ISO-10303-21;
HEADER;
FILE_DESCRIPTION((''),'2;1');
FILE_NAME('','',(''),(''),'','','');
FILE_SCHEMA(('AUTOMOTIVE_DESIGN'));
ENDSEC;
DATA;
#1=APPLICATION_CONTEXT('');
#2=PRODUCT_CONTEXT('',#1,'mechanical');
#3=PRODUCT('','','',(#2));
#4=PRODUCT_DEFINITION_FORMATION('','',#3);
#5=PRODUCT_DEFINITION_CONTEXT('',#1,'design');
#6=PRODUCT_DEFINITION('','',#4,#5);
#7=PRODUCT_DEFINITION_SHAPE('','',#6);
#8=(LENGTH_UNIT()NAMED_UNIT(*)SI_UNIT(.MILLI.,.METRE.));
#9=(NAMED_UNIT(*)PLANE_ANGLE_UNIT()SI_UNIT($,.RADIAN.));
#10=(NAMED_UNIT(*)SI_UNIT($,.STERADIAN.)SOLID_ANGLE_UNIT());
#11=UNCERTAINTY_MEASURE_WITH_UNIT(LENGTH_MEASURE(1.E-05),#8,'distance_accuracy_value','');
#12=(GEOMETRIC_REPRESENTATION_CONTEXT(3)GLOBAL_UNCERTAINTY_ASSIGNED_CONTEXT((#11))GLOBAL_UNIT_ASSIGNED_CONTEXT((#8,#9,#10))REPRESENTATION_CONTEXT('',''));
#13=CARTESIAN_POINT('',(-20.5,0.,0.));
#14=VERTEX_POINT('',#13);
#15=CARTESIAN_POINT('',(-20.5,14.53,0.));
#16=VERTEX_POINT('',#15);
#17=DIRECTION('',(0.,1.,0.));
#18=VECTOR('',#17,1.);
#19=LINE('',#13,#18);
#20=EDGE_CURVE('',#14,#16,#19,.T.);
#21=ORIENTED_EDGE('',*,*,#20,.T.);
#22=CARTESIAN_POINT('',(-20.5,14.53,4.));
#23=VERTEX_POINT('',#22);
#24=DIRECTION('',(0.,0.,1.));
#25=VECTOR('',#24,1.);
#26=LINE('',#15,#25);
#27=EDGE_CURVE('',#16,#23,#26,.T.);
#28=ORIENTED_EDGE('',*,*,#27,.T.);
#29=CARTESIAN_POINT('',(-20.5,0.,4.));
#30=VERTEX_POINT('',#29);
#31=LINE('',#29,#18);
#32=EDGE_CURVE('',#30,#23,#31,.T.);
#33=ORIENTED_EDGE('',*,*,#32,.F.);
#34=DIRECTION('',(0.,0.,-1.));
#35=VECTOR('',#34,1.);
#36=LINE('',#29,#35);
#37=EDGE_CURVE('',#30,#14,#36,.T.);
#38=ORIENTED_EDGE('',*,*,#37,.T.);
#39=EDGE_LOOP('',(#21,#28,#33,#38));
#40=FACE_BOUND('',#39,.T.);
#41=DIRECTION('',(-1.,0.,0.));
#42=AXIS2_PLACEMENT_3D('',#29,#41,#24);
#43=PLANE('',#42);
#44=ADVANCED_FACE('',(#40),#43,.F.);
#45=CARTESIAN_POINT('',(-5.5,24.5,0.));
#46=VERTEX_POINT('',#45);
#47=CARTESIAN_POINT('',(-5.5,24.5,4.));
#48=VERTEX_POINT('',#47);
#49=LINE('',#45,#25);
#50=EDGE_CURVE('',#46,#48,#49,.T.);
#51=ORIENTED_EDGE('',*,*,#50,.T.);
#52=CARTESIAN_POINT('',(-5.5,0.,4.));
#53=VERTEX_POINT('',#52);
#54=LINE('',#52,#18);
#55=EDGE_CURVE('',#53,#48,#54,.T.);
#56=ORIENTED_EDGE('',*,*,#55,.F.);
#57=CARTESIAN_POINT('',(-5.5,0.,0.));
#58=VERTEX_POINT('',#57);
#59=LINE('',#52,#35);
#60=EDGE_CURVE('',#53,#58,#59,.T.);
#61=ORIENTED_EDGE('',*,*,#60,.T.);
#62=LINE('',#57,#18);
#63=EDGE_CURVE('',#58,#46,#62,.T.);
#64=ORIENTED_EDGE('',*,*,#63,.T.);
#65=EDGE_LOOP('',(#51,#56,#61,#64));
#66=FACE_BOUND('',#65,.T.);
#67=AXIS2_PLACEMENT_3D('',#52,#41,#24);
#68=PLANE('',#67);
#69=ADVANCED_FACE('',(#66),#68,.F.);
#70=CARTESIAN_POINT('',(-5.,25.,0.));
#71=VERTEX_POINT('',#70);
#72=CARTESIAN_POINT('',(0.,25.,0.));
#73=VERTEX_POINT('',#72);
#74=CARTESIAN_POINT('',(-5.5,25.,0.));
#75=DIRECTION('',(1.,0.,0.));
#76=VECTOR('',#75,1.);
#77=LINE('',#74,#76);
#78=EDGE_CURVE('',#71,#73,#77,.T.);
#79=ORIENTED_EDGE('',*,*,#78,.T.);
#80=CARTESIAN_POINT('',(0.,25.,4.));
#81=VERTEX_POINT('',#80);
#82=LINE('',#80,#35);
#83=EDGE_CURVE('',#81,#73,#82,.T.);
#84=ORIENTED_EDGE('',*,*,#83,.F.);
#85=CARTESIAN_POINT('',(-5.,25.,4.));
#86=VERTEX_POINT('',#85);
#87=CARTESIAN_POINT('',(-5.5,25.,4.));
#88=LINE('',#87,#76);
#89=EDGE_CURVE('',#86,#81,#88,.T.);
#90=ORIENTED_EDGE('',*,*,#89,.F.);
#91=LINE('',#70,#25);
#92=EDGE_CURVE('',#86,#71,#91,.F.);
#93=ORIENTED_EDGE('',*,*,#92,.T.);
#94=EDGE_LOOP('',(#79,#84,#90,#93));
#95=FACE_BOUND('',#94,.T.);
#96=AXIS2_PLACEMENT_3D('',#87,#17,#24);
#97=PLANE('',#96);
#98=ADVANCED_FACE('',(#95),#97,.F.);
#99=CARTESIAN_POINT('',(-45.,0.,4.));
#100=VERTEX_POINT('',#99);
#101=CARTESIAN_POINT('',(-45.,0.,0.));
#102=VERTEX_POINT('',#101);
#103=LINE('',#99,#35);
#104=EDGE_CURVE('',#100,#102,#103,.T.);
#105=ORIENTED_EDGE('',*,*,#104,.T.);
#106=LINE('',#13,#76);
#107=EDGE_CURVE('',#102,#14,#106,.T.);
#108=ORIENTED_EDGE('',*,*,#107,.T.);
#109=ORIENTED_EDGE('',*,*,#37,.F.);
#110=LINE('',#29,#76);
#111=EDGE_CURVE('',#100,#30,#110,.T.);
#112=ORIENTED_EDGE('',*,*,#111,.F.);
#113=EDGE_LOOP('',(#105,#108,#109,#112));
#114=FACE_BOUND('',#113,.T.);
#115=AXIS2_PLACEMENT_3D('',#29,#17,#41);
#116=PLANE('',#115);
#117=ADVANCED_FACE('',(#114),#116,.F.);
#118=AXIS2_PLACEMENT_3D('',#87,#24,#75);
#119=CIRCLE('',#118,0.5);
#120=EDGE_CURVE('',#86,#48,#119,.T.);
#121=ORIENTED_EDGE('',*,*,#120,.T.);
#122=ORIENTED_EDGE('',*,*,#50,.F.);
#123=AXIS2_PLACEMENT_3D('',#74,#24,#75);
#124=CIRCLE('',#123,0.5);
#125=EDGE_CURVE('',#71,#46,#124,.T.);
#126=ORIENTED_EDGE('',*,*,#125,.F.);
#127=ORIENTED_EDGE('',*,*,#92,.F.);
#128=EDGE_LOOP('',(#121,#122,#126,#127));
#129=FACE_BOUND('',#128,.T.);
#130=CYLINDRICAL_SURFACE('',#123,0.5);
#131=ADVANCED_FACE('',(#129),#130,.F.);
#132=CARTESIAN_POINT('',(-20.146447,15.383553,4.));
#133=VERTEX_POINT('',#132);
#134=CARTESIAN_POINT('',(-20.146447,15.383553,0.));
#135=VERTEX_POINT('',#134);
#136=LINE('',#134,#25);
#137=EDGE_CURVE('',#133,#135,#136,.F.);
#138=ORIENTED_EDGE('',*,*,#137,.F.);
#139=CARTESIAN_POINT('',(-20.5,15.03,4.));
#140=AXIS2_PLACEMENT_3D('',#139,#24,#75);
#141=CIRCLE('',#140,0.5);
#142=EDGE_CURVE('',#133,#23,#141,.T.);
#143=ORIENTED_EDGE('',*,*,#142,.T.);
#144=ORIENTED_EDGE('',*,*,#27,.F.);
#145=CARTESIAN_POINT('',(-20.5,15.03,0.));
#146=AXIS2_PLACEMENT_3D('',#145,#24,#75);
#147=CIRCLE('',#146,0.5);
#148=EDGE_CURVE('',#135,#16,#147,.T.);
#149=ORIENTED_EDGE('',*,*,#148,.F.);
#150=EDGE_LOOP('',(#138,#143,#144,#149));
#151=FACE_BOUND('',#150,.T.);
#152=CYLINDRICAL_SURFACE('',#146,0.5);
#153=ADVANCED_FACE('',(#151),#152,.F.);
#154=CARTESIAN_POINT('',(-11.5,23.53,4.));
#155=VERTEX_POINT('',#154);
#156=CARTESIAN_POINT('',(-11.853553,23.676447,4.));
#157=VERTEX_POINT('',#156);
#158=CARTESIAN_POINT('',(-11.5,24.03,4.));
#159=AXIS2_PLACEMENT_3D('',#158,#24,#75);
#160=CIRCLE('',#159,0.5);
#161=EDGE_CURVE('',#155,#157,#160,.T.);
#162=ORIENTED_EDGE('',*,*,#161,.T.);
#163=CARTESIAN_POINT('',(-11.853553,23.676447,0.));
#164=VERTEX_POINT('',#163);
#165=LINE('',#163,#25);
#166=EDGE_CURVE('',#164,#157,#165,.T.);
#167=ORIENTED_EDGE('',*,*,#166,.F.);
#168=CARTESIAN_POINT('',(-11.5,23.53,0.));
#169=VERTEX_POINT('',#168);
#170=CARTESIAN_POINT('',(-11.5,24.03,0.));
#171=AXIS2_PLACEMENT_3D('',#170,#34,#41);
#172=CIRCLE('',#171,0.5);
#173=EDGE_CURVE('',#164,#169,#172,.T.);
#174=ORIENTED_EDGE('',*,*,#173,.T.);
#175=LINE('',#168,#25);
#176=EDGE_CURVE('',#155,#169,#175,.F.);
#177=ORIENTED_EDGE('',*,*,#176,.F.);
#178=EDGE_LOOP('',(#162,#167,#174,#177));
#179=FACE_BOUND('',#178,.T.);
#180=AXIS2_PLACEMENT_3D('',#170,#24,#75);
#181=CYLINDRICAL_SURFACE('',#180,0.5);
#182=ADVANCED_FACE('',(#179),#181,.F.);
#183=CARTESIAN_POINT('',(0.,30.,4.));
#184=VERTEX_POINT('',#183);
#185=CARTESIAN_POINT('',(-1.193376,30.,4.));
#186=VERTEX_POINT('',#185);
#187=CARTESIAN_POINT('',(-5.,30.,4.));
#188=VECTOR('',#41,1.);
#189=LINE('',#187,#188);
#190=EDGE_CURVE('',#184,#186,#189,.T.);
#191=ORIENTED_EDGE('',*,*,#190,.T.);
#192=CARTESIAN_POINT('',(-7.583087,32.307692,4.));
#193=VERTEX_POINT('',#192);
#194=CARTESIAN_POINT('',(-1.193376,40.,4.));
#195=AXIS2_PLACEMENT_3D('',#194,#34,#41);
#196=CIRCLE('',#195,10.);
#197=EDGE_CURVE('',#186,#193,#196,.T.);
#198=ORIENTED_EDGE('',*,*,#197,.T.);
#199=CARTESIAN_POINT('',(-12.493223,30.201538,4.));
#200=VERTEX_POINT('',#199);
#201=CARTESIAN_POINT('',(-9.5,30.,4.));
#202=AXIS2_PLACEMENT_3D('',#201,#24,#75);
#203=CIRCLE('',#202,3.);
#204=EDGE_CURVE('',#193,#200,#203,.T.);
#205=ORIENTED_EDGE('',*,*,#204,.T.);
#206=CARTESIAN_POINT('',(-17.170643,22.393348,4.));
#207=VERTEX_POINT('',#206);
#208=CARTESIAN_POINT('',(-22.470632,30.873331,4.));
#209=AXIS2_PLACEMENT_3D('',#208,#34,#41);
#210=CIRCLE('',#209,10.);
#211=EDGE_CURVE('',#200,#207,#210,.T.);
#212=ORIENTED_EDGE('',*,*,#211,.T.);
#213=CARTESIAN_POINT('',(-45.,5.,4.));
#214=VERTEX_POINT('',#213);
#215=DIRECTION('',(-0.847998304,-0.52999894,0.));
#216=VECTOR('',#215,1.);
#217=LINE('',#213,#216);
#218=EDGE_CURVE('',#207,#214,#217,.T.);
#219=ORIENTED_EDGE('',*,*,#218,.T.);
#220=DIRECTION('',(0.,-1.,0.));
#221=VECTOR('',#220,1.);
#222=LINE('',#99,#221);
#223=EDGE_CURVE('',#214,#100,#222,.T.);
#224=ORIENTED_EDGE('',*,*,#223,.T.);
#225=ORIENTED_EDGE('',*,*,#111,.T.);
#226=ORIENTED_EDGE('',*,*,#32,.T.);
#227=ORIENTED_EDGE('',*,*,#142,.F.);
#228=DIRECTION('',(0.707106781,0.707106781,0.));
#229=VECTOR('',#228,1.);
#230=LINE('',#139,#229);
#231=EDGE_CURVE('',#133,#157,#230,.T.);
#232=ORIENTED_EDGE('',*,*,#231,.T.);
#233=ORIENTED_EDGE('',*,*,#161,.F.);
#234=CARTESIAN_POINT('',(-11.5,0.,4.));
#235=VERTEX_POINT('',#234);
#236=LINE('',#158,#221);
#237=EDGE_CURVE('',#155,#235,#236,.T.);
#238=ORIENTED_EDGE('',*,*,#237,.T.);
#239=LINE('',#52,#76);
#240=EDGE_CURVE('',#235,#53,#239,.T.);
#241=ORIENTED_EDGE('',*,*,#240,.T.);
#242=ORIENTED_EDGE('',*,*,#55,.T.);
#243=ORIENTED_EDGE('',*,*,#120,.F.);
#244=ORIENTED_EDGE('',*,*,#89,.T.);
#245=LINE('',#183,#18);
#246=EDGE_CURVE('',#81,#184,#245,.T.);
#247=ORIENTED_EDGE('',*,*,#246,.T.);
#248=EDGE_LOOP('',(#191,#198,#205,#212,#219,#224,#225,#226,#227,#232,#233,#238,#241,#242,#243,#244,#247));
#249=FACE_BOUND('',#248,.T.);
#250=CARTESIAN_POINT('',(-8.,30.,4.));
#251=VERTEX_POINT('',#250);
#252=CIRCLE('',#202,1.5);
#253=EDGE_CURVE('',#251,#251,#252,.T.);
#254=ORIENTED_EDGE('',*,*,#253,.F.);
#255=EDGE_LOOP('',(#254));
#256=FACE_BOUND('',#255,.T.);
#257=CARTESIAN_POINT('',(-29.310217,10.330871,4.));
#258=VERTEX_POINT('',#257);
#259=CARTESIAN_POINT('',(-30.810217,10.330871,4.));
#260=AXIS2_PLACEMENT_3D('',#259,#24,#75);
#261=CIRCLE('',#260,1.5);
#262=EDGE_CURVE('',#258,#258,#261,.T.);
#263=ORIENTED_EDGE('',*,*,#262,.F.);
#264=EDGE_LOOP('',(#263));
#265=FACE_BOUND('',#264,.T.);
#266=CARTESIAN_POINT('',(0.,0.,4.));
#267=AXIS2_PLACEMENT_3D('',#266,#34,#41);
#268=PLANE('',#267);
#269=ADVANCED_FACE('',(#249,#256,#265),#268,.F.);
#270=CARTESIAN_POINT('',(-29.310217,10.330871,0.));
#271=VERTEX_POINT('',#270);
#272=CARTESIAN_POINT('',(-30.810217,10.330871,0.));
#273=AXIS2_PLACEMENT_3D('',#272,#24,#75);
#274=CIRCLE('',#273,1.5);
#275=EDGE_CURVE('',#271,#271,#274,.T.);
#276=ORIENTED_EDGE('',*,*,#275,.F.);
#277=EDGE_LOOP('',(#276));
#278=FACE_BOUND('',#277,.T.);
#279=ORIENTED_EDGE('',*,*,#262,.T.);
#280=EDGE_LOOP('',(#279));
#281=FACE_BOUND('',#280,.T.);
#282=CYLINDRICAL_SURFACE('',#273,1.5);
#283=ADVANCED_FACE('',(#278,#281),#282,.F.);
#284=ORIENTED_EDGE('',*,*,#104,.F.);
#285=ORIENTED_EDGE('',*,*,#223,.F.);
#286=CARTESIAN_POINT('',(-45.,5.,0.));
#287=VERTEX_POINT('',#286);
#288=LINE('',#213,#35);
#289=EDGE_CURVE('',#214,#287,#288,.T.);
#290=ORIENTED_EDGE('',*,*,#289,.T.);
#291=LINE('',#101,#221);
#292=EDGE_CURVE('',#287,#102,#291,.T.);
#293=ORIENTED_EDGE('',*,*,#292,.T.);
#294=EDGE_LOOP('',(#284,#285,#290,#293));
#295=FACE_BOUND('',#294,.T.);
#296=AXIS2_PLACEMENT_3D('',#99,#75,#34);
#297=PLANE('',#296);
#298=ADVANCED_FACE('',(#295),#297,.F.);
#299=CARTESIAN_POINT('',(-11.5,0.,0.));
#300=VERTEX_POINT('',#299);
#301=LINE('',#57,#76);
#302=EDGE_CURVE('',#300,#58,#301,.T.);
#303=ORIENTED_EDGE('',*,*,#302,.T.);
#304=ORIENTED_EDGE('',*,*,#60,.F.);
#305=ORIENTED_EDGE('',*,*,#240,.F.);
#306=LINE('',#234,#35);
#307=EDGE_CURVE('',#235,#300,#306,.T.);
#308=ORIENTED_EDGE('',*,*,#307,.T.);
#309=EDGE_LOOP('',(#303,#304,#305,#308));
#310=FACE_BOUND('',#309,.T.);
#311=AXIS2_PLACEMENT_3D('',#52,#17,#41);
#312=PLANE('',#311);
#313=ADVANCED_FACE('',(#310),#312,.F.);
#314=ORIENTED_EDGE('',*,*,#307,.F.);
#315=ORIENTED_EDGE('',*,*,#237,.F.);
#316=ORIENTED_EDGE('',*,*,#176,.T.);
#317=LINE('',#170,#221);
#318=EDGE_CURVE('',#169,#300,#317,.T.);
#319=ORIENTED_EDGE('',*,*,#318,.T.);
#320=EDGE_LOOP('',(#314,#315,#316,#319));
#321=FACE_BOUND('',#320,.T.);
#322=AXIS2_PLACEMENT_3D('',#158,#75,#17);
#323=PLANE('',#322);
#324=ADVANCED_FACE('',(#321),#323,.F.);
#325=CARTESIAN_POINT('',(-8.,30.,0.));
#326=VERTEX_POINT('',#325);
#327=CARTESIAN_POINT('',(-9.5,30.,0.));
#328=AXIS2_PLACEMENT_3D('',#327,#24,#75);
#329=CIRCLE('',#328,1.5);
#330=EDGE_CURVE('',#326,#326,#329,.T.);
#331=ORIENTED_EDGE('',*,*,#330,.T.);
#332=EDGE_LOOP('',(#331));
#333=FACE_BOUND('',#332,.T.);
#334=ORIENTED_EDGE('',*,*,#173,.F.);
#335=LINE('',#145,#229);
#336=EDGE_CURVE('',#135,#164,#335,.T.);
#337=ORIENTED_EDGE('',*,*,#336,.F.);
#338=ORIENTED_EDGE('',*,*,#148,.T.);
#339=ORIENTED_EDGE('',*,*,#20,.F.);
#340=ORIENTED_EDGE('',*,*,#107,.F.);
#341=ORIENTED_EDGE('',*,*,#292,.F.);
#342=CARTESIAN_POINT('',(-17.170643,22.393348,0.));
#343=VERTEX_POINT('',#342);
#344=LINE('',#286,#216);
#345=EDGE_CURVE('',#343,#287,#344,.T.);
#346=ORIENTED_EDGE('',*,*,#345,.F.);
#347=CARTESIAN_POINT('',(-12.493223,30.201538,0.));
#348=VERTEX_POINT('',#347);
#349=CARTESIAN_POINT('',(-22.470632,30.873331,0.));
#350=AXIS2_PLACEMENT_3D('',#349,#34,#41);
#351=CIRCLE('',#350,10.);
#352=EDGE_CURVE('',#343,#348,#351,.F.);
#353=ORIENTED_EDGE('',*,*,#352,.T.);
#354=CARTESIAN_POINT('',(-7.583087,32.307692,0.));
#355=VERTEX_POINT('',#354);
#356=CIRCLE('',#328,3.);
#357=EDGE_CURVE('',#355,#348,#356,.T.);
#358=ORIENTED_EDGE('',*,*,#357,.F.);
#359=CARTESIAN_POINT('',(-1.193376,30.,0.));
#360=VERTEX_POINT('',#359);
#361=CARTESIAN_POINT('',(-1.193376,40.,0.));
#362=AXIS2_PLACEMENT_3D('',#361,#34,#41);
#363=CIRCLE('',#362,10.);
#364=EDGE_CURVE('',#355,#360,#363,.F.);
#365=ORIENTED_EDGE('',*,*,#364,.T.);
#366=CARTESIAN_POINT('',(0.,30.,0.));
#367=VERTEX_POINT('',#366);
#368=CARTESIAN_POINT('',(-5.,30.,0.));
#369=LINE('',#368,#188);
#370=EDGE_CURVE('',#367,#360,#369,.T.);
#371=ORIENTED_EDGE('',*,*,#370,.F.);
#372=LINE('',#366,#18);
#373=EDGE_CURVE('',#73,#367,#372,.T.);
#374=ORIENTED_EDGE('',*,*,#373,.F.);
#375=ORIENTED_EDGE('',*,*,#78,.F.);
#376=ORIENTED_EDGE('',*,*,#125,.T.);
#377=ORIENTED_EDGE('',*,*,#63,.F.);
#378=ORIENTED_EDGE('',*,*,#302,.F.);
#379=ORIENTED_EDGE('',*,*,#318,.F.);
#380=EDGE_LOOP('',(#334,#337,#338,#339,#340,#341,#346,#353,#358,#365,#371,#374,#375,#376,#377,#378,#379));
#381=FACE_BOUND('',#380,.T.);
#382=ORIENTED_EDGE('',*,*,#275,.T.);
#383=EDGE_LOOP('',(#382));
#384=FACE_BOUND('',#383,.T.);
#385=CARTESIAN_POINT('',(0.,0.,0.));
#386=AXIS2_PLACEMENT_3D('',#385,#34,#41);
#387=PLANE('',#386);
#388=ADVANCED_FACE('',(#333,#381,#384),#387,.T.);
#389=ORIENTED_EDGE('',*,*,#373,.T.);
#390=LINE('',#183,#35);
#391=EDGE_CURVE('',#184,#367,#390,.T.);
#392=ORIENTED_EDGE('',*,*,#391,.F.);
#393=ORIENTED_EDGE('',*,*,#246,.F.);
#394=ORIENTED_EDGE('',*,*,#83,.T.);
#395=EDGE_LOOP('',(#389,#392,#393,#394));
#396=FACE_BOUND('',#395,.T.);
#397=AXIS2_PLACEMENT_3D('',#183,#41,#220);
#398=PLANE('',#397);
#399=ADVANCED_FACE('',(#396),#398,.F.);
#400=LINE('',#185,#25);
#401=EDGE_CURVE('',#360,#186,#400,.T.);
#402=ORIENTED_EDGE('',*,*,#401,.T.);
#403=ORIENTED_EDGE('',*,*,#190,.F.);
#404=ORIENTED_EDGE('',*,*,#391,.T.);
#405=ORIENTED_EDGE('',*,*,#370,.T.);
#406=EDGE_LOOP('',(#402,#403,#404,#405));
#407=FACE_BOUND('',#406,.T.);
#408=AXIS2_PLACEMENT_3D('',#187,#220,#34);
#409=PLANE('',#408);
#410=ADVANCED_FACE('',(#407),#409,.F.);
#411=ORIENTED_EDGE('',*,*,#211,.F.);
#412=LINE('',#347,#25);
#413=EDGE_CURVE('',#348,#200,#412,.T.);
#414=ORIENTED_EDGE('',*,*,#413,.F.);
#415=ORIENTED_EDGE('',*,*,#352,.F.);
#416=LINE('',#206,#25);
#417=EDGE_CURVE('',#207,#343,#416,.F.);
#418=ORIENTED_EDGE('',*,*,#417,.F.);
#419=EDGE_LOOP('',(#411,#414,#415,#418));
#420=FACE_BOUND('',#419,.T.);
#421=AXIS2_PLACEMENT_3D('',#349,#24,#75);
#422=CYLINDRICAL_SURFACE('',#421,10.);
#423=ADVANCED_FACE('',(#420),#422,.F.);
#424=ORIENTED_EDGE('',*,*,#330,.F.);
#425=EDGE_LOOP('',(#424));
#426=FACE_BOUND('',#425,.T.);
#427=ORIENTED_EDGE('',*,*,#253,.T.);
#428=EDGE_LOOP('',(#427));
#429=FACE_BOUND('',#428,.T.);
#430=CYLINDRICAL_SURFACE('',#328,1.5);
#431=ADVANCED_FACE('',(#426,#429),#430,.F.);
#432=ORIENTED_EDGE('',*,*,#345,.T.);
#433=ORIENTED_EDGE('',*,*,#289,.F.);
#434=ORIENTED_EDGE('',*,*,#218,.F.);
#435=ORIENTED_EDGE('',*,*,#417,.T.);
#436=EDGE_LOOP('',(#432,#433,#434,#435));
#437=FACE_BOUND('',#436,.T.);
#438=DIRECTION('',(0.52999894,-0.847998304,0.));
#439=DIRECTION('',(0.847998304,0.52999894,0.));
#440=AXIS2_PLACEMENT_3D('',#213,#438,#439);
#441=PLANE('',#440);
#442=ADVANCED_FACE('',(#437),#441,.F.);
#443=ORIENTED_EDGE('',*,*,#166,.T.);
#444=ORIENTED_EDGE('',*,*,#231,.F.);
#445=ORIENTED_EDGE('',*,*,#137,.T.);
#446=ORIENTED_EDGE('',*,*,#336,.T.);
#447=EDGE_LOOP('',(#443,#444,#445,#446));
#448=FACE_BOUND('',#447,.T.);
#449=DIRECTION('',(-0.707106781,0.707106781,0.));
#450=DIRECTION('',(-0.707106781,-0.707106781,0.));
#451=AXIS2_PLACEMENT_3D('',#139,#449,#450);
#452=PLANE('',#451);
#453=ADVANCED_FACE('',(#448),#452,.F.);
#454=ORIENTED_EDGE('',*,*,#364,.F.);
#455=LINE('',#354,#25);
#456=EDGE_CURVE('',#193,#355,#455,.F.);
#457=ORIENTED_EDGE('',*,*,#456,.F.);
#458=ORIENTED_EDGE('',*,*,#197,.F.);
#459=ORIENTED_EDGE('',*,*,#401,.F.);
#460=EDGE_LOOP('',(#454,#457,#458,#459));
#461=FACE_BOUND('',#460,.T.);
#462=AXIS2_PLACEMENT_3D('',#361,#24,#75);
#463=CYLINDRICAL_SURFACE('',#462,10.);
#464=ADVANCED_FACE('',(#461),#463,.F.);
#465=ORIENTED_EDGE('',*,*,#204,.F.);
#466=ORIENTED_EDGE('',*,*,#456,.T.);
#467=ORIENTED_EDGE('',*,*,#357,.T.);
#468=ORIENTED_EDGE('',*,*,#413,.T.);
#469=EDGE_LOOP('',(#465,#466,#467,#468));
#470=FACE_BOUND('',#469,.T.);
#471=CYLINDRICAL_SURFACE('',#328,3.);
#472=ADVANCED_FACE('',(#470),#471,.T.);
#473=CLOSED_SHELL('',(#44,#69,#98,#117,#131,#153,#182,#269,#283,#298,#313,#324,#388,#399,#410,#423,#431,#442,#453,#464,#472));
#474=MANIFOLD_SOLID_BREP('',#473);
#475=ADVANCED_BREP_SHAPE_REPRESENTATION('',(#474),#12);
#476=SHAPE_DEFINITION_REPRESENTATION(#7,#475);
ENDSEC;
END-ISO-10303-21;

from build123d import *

# Parameters (mm, degrees)
EXTRUDE_1_DEPTH     = 4
SKETCH_2_R          = 1.5
EXTRUDE_2_DEPTH     = 4
SKETCH_3_R          = 1.5
CUT_EXTRUDE_1_DEPTH = 4
FILLET_1_R          = 10
SKETCH_4_R          = 0.5
CUT_EXTRUDE_2_DEPTH = 4


with BuildPart() as part:
    # 草图1 → 凸台-拉伸1 (new body)
    with BuildSketch(Plane.XY):
        Polygon((-5.5, 0), (-11.5, 0), (-11.5, 24.03), (-20.5, 15.03), (-20.5, 0), (-45, 0), (-45, 5), (-5, 30), (0, 30), (0, 25), (-5.5, 25), align=None)
    extrude(amount=EXTRUDE_1_DEPTH)

    # 草图2 → 凸台-拉伸2 (add)
    with BuildSketch(Plane.XY.offset(4)):
        with BuildLine():
            Line((-6.5, 30), (-5, 30))
            Line((-5, 30), (-12.5, 25.3125))
            Line((-12.5, 25.3125), (-12.5, 30))
            ThreePointArc((-12.5, 30), (-9.5, 33), (-6.5, 30))
        make_face()
        with Locations((-9.5, 30)):
            Circle(SKETCH_2_R, mode=Mode.SUBTRACT)
    extrude(amount=-EXTRUDE_2_DEPTH)

    # 草图3 → 切除-拉伸1 (cut)
    with BuildSketch(Plane.XY.offset(4)):
        with Locations((-30.810217499, 10.330871139)):
            Circle(SKETCH_3_R)
    extrude(amount=-CUT_EXTRUDE_1_DEPTH, mode=Mode.SUBTRACT)

    # 圆角1
    fillet_1_edges = [part.edges().sort_by_distance(p)[0] for p in [
        (-6.5, 30, 2),
        (-12.5, 25.3125, 2),
    ]]
    fillet(fillet_1_edges, radius=FILLET_1_R)

    # 草图4 → 切除-拉伸2 (cut)
    with BuildSketch(Plane.XY.offset(4)):
        with Locations((-5.5, 25)):
            Circle(SKETCH_4_R)
        with Locations((-11.5, 24.03)):
            Circle(SKETCH_4_R)
        with Locations((-20.5, 15.03)):
            Circle(SKETCH_4_R)
    extrude(amount=-CUT_EXTRUDE_2_DEPTH, mode=Mode.SUBTRACT)


solid = part.part
